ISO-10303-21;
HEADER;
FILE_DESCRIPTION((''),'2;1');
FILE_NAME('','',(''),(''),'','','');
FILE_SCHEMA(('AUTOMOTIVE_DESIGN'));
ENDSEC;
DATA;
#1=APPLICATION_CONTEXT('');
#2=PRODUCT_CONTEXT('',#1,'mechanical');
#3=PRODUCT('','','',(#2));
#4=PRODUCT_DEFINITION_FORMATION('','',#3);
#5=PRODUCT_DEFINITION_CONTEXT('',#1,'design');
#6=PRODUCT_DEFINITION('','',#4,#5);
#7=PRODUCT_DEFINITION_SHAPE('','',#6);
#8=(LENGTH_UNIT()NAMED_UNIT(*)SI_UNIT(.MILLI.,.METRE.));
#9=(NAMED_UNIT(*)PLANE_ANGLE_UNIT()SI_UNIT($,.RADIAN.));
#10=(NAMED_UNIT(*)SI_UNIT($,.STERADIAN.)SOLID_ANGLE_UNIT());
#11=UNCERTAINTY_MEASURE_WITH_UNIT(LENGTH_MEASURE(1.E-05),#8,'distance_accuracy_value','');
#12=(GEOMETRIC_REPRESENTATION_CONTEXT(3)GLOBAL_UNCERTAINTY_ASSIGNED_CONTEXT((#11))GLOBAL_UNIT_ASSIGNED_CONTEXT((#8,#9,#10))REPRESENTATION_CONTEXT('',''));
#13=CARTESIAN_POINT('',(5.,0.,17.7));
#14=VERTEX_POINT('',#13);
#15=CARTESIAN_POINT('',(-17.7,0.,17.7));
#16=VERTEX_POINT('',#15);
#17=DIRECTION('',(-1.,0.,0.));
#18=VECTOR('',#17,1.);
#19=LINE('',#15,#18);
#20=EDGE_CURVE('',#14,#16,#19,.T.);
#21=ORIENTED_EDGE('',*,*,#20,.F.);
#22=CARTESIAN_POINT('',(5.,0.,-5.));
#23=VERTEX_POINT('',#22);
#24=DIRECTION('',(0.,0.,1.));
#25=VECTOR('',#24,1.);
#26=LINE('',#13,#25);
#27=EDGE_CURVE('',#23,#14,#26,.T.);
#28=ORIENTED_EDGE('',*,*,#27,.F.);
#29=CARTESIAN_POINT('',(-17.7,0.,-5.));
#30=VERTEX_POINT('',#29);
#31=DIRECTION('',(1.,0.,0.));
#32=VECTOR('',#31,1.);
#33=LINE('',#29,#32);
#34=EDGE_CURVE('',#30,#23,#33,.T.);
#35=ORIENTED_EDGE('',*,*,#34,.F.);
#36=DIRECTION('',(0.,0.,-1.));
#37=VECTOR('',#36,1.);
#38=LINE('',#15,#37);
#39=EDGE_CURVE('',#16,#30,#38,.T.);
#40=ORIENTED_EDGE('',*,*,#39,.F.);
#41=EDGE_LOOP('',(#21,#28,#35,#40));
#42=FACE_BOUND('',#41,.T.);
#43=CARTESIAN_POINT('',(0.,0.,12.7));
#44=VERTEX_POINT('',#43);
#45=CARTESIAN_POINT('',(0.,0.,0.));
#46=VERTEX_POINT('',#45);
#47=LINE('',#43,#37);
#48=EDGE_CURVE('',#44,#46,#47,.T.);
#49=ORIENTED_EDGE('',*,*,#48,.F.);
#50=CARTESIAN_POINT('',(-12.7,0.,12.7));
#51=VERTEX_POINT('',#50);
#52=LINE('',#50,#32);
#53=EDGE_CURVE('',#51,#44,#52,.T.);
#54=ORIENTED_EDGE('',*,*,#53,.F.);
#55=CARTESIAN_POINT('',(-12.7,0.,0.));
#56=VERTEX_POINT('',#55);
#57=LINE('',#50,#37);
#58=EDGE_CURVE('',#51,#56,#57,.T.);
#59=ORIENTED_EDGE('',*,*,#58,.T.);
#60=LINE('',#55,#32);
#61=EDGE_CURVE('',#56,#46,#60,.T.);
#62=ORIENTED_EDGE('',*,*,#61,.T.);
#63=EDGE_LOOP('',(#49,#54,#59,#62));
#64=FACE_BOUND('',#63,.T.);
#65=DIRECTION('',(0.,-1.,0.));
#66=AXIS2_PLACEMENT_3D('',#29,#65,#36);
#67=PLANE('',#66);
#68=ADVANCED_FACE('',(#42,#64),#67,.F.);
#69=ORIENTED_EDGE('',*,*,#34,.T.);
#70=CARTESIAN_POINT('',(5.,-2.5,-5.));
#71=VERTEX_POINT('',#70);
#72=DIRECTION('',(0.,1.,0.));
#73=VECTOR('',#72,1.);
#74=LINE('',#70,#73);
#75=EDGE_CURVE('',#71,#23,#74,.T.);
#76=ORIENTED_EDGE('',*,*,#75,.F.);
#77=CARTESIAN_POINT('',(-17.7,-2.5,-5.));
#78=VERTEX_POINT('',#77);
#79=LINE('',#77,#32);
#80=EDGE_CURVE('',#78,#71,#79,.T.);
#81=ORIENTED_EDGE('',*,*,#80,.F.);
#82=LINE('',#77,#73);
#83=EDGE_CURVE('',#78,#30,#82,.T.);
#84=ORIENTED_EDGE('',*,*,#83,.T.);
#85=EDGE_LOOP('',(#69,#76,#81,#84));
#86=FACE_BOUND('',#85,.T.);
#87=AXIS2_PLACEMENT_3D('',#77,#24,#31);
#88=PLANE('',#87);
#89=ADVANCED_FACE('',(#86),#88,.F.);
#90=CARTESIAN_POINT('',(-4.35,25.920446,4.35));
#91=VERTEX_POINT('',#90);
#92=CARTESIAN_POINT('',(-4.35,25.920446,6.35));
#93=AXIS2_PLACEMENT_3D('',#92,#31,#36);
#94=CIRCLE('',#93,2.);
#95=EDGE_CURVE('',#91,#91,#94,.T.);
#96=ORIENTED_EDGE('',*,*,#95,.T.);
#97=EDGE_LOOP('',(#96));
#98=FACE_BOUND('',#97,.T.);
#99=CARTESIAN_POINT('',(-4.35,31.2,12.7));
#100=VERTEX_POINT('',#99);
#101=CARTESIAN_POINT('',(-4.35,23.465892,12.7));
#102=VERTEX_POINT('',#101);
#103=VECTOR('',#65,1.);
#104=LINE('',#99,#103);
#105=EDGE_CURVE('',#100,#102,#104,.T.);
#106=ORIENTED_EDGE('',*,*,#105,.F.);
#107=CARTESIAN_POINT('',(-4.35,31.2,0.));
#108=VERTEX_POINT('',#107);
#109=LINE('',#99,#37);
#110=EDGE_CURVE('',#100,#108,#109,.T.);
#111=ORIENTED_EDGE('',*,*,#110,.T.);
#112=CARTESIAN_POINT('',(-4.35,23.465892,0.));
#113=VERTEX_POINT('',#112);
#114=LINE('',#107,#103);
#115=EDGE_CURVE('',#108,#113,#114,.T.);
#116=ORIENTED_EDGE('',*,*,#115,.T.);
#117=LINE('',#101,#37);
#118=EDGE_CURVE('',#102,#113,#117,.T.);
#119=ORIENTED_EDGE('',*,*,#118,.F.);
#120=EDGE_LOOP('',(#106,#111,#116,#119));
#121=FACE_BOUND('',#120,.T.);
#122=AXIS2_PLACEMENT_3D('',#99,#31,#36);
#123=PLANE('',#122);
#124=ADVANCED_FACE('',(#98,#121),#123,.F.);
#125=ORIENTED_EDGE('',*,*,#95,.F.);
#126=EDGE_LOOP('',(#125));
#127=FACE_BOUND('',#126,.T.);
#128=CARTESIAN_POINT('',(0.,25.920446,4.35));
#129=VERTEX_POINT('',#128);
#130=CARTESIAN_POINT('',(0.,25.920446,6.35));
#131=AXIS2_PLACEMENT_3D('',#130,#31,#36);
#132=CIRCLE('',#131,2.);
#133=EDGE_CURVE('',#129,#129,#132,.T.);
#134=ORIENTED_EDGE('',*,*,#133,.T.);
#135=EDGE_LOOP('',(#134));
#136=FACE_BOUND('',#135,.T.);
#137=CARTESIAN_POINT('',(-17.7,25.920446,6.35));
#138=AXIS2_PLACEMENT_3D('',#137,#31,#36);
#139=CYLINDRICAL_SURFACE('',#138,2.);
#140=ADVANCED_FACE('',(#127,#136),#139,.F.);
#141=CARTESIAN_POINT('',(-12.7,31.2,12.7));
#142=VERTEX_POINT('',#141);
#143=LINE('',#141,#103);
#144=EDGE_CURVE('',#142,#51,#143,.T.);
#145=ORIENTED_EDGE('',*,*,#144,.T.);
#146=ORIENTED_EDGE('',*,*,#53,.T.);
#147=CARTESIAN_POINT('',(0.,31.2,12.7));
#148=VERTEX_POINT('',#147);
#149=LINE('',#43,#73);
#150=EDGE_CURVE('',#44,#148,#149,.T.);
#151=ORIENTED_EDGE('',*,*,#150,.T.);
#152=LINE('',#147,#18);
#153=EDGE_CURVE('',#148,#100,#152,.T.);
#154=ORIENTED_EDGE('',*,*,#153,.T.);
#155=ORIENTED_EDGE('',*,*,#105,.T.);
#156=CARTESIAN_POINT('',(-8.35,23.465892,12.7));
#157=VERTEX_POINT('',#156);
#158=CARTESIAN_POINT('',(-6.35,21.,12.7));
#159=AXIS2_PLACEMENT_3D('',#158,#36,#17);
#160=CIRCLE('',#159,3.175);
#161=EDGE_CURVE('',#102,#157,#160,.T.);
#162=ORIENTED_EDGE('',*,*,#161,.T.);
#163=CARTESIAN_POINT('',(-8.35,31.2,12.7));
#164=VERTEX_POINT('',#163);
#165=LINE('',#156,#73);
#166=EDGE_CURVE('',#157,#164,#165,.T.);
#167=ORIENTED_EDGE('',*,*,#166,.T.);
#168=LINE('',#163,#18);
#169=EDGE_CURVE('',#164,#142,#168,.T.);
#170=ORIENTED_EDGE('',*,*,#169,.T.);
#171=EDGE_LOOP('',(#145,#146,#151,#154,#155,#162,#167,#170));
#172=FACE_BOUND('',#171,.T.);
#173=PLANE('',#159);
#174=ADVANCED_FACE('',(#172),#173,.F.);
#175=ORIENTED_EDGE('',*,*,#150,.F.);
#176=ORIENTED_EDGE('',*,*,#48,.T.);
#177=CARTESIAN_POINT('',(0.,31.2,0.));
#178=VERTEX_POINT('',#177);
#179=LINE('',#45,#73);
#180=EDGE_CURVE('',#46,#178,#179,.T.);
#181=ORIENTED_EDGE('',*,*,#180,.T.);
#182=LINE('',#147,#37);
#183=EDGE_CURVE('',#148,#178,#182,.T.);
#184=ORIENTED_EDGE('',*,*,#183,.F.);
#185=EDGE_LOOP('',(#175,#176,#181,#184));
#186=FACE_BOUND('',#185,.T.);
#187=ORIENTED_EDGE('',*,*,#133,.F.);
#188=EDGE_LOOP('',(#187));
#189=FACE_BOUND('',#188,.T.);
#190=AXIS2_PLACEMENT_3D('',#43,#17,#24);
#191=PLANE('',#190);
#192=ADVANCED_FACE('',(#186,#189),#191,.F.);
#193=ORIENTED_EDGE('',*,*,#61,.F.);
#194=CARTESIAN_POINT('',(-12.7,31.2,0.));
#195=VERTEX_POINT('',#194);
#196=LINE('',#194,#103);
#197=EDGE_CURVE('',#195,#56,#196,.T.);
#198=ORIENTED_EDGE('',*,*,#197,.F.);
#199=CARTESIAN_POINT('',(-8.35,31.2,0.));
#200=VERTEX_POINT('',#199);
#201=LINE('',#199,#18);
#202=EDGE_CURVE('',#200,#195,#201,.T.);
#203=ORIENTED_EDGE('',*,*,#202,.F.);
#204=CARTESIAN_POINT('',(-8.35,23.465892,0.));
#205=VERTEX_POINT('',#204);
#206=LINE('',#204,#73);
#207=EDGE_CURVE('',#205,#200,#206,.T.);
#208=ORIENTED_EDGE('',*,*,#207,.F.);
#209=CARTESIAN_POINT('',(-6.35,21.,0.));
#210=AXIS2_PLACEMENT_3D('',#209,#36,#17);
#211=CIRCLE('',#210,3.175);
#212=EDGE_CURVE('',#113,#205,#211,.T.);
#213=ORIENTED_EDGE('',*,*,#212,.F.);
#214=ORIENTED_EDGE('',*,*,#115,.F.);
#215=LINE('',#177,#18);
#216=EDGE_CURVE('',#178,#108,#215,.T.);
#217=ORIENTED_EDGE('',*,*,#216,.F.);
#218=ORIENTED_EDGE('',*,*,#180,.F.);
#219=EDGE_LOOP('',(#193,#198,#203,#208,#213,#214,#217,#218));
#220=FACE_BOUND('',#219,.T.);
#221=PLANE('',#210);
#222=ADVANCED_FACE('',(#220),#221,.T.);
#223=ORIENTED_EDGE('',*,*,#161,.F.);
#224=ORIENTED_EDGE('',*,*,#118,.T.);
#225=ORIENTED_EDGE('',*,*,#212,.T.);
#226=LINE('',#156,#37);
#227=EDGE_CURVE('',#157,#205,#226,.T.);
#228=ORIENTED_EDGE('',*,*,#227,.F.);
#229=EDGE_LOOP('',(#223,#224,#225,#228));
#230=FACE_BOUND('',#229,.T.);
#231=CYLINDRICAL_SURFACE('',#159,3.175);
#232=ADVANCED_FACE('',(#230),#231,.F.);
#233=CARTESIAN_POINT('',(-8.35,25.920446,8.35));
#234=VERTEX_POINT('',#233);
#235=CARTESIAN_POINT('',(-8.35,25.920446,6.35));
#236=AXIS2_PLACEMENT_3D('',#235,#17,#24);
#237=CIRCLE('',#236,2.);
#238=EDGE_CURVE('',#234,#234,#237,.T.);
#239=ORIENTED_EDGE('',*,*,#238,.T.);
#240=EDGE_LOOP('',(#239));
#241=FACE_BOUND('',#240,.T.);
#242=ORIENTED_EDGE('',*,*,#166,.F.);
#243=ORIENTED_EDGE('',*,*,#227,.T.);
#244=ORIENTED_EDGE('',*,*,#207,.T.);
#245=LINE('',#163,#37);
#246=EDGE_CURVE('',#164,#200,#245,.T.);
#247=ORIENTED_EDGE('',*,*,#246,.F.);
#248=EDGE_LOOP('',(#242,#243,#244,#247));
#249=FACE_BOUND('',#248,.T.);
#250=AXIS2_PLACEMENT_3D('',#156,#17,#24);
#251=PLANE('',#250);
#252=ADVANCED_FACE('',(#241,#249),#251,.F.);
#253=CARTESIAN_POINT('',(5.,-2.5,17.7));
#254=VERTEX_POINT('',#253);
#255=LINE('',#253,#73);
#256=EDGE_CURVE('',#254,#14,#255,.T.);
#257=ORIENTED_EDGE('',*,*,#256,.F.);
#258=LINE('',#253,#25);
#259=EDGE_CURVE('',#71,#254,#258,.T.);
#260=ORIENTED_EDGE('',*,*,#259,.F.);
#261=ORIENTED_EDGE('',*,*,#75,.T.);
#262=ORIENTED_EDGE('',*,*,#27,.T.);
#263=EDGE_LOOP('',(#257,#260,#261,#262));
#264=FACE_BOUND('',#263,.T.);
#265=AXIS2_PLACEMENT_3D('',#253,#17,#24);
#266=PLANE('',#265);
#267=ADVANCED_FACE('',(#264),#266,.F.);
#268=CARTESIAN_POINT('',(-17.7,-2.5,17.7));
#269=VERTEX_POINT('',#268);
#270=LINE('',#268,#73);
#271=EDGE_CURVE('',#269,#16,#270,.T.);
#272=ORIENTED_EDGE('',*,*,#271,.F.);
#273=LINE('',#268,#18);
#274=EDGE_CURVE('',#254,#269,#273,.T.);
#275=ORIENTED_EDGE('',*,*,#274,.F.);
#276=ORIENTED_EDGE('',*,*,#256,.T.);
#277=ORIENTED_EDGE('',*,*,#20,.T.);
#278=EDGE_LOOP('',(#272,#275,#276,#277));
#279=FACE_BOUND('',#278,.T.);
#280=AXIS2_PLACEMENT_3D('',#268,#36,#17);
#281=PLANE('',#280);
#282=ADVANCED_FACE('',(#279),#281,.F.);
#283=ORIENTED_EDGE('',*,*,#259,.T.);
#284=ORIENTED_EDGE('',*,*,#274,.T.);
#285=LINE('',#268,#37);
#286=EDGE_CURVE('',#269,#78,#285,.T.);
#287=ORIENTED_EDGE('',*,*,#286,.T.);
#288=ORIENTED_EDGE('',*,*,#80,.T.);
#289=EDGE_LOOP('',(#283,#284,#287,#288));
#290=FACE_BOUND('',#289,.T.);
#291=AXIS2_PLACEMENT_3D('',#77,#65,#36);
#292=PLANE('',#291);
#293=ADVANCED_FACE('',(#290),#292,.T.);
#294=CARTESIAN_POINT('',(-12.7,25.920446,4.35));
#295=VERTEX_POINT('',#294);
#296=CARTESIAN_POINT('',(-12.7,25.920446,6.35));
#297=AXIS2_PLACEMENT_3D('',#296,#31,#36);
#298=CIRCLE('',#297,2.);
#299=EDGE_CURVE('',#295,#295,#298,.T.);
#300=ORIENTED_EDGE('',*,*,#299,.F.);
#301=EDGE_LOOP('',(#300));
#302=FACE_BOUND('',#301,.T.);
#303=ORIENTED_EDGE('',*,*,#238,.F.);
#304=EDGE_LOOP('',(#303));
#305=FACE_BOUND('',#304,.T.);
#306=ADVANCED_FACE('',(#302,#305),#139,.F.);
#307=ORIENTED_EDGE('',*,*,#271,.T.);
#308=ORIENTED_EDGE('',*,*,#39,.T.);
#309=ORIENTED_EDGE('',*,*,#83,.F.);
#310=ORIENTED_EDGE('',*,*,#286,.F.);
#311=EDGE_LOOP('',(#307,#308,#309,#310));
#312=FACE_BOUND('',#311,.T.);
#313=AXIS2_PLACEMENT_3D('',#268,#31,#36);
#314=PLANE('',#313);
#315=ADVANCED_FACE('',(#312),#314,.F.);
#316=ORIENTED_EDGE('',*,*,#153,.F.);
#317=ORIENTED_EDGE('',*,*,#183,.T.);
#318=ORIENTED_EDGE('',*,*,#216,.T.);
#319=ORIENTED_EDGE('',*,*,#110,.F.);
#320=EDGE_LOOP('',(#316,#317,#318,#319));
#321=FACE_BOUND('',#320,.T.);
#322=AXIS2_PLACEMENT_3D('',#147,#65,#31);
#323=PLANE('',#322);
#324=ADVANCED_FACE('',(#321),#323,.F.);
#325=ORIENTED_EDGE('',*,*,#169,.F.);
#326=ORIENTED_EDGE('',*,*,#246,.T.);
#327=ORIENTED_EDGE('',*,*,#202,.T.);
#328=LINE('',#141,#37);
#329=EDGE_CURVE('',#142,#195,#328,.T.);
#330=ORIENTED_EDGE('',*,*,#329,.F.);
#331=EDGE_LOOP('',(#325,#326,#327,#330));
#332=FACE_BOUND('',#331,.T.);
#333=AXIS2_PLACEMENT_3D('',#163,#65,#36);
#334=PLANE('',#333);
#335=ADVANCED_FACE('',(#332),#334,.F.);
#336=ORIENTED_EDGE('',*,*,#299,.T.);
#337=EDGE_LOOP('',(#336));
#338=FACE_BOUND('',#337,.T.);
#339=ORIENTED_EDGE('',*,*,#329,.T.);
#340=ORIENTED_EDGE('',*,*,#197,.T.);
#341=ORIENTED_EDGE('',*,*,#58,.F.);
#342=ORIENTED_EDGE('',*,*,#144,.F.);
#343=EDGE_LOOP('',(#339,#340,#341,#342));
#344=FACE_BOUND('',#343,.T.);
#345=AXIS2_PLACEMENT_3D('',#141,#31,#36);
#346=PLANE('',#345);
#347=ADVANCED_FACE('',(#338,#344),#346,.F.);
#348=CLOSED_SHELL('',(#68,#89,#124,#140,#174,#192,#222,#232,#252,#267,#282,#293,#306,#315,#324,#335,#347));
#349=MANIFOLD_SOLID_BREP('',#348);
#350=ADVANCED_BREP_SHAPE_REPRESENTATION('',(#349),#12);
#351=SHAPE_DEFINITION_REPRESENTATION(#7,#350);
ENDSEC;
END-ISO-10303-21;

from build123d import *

# Parameters (mm, degrees)
BOSS_EXTRUDE1_DEPTH = 12.7
SKETCH2_W           = 22.7
SKETCH2_H           = 22.7
BOSS_EXTRUDE2_DEPTH = 2.5
SKETCH3_R           = 2
CUT_EXTRUDE1_DEPTH  = 18.7


with BuildPart() as part:
    # Sketch1 → Boss-Extrude1 (new body)
    with BuildSketch(Plane.XY):
        with BuildLine():
            Line((0, 0), (0, 31.2))
            Line((0, 31.2), (-4.35, 31.2))
            Line((-4.35, 31.2), (-4.35, 23.465892333))
            ThreePointArc((-4.35, 23.465892333), (-6.35, 17.825), (-8.35, 23.465892333))
            Line((-8.35, 23.465892333), (-8.35, 31.2))
            Line((-8.35, 31.2), (-12.7, 31.2))
            Line((-12.7, 31.2), (-12.7, 0))
            Line((-12.7, 0), (0, 0))
        make_face()
    extrude(amount=BOSS_EXTRUDE1_DEPTH)

    # Sketch2 → Boss-Extrude2 (add)
    with BuildSketch(Plane.XZ):
        with Locations((-6.35, 6.35)):
            Rectangle(SKETCH2_W, SKETCH2_H)
    extrude(amount=BOSS_EXTRUDE2_DEPTH)

    # Sketch3 → Cut-Extrude1 (cut, through all)
    with BuildSketch(Plane(origin=(0, 0, 0), x_dir=(0, 0, -1), z_dir=(1, 0, 0))):
        with Locations((-6.35, 25.920446167)):
            Circle(SKETCH3_R)
    extrude(amount=-CUT_EXTRUDE1_DEPTH, mode=Mode.SUBTRACT)


solid = part.part
